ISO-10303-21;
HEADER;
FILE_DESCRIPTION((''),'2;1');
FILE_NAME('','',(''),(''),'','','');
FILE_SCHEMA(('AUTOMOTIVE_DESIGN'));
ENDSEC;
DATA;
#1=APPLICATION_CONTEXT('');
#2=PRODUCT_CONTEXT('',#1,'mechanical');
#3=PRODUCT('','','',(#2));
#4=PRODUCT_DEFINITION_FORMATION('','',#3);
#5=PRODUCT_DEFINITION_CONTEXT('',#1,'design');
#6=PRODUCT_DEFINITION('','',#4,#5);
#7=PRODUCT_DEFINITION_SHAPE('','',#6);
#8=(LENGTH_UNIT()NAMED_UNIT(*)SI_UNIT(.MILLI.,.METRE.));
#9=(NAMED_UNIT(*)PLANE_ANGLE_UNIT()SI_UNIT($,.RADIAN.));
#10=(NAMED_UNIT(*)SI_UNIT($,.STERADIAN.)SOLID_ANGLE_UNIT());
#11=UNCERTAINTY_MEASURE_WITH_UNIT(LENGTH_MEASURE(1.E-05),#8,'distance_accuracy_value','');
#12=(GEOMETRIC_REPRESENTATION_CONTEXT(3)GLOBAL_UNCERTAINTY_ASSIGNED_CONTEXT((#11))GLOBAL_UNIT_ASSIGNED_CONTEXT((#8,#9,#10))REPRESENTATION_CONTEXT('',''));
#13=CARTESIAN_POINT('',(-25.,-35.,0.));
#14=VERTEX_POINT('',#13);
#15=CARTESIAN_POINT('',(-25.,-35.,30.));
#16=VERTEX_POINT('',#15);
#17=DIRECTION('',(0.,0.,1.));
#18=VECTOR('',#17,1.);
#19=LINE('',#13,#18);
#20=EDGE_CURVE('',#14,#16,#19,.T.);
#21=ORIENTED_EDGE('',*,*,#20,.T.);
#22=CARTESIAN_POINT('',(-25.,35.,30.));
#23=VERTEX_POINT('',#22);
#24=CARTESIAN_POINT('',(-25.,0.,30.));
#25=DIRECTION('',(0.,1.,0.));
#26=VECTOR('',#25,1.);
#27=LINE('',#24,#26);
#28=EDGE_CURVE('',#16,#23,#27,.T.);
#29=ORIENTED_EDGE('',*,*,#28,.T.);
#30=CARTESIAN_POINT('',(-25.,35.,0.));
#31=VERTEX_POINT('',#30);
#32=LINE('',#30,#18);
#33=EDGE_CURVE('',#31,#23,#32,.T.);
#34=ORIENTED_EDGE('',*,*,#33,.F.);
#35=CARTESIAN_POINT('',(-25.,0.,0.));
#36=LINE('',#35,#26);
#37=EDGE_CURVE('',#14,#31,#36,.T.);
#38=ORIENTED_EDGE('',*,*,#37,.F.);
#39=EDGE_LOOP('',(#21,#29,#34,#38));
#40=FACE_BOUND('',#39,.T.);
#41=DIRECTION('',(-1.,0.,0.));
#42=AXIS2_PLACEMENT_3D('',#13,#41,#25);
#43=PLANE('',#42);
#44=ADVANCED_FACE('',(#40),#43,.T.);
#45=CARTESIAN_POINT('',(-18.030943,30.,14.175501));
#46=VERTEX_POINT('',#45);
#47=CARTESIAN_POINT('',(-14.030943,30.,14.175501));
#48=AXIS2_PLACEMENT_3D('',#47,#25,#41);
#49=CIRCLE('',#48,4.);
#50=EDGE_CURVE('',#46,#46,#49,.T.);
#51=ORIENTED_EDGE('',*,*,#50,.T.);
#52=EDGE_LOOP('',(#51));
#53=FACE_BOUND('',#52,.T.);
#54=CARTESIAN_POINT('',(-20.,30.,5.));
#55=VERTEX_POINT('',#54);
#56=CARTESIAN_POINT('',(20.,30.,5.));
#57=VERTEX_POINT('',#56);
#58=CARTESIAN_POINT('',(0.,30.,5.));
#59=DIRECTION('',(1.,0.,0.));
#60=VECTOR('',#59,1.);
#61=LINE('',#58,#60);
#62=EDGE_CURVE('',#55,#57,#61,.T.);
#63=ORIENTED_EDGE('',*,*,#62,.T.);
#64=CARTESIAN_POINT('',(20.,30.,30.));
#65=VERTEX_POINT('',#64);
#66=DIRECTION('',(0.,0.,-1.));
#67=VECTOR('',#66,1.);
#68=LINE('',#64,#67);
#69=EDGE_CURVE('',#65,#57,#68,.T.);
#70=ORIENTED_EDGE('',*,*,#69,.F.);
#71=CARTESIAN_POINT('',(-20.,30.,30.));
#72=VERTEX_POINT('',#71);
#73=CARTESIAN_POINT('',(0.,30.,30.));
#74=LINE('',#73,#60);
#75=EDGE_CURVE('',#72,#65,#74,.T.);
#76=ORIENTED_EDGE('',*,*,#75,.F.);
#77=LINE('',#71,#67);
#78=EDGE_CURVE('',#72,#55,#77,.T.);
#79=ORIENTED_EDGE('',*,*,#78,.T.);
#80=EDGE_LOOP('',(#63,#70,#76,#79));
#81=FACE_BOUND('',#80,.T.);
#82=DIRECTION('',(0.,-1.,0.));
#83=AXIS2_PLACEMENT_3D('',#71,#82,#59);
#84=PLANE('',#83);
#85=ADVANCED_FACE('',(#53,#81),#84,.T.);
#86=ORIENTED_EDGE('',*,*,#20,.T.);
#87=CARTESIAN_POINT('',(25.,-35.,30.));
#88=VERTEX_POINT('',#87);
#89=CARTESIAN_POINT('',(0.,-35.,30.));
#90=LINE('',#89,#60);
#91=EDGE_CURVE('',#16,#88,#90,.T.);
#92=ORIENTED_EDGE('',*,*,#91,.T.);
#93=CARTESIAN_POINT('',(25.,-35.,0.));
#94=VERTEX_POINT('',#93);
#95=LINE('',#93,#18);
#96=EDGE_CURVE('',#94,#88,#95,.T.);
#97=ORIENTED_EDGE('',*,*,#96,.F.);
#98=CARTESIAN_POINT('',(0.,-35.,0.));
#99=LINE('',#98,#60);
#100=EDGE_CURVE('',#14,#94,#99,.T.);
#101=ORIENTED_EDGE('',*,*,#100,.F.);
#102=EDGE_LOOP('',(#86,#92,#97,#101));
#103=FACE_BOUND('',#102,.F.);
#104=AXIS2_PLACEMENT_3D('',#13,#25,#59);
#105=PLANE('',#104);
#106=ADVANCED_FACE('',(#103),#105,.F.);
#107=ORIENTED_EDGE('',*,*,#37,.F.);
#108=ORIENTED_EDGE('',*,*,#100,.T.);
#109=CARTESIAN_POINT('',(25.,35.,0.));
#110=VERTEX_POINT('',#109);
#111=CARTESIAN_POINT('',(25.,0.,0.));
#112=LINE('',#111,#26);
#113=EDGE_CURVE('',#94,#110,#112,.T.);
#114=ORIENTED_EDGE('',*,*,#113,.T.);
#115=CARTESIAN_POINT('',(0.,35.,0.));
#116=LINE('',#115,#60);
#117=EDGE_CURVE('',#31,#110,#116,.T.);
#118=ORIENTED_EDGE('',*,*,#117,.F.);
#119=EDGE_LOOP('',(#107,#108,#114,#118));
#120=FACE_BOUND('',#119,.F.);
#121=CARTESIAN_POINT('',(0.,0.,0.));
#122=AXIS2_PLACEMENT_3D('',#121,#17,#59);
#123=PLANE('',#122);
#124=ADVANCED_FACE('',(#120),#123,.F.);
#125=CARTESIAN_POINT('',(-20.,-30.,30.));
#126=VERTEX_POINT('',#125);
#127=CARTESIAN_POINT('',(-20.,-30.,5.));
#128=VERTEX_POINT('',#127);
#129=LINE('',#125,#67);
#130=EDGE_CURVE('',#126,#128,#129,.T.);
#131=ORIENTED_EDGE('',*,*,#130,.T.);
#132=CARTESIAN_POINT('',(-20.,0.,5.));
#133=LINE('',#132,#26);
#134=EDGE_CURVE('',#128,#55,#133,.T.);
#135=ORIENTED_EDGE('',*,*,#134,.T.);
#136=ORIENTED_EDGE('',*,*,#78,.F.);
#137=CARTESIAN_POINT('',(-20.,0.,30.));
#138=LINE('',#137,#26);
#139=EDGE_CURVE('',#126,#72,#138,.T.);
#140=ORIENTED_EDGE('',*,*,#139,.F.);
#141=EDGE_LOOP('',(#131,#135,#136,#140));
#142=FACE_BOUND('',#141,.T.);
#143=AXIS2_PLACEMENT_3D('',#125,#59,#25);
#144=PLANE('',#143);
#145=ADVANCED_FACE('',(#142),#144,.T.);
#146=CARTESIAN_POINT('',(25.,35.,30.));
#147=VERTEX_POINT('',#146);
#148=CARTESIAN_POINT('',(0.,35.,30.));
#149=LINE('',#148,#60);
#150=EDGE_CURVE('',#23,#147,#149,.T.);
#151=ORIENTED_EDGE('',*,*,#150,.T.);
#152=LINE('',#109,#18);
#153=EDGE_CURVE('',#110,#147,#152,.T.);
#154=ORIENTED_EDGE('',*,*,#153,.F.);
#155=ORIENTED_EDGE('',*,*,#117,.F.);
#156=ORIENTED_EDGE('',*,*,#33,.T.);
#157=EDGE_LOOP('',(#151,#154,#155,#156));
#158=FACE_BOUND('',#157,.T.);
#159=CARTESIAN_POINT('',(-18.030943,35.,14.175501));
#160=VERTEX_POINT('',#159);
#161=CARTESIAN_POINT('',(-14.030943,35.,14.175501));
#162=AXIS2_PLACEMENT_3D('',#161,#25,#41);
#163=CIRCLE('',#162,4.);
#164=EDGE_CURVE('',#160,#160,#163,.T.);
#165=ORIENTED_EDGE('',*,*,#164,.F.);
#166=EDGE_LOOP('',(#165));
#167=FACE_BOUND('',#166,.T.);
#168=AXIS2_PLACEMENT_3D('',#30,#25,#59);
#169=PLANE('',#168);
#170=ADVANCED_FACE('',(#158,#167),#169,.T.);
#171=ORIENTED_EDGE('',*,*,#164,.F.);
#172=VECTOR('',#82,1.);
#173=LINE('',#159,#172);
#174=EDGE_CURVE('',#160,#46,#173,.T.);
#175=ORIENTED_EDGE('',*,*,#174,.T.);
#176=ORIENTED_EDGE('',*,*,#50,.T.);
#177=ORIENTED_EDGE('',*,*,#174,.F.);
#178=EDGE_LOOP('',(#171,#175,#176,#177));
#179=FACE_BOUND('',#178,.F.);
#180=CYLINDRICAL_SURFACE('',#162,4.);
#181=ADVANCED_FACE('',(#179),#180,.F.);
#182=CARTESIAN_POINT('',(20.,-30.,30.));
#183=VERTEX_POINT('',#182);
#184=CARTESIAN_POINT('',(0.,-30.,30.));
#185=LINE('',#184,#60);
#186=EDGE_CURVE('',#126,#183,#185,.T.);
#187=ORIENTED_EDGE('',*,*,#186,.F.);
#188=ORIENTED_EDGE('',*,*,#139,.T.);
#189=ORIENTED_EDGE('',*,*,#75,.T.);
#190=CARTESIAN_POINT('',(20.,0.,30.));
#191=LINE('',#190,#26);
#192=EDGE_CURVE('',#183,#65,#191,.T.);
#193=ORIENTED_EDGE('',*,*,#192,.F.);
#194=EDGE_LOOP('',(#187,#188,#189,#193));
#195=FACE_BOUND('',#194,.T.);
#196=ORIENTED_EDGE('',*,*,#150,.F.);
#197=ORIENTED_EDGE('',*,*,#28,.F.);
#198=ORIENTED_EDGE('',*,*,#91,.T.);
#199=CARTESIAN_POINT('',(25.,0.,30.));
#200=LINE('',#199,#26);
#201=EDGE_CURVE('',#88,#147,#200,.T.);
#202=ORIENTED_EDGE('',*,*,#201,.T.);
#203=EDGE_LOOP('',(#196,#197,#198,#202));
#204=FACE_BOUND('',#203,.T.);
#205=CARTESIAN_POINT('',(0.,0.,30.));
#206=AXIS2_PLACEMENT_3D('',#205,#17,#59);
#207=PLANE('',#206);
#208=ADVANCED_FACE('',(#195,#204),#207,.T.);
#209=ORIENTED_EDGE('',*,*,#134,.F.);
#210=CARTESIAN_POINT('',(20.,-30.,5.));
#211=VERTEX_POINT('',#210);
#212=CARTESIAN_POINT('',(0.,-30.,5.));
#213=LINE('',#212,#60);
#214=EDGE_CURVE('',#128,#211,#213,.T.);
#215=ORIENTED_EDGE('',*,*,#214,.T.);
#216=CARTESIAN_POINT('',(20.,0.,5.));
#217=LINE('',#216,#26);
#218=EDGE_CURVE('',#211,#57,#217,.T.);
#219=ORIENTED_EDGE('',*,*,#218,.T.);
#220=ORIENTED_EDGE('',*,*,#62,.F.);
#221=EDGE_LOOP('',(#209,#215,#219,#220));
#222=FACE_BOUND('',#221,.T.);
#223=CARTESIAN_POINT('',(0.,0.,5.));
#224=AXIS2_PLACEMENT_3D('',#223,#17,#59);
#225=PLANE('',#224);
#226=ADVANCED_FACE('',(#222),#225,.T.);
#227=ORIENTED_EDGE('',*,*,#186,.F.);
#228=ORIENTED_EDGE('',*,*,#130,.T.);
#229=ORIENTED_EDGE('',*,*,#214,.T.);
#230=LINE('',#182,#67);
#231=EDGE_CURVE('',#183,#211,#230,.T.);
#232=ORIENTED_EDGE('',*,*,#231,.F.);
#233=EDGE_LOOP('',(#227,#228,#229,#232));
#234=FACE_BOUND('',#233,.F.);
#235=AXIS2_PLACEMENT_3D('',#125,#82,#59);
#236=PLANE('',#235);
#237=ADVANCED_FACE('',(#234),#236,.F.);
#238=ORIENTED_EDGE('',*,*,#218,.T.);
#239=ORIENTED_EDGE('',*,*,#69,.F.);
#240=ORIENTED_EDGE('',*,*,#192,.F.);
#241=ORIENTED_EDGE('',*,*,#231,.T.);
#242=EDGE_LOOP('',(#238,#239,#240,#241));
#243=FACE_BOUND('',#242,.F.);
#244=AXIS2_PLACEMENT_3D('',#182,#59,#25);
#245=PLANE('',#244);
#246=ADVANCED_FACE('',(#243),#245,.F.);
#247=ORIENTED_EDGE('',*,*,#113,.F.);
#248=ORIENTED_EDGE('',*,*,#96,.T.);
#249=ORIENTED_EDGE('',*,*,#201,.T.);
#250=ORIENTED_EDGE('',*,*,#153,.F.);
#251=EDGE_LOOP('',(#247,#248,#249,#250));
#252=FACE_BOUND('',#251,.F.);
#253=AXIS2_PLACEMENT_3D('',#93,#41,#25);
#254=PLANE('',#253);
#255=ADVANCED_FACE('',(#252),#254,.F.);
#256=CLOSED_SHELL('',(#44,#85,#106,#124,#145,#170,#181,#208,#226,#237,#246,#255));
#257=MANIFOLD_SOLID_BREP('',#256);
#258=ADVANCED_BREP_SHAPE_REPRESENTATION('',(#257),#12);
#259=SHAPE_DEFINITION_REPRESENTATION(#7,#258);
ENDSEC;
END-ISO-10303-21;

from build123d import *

# Parameters (mm, degrees)
F0_W     = 50
F0_H     = 70
F0_W_2   = 40
F0_H_2   = 60
F1_DEPTH = 30
F2_W     = 40
F2_H     = 60
F3_DEPTH = 25
F4_R     = 4
F5_DEPTH = 5


with BuildPart() as f1:
    # F0 (on Top) → F1 (new body)
    with BuildSketch(Plane.XY):
        Rectangle(F0_W, F0_H)
        Rectangle(F0_W_2, F0_H_2, mode=Mode.SUBTRACT)
        Rectangle(F0_W_2, F0_H_2)
    extrude(amount=F1_DEPTH)

    # F2 (on face) → F3 (cut)
    with BuildSketch(Plane.XY.offset(30)):
        Rectangle(F2_W, F2_H)
    extrude(amount=-F3_DEPTH, mode=Mode.SUBTRACT)

    # F4 (on face) → F5 (cut, through all)
    with BuildSketch(Plane(origin=(0, 35, 0), x_dir=(-1, 0, 0), z_dir=(0, 1, 0))):
        with Locations((14.030943, 14.175501)):
            Circle(F4_R)
    extrude(amount=-F5_DEPTH, mode=Mode.SUBTRACT)


solid = f1.part
